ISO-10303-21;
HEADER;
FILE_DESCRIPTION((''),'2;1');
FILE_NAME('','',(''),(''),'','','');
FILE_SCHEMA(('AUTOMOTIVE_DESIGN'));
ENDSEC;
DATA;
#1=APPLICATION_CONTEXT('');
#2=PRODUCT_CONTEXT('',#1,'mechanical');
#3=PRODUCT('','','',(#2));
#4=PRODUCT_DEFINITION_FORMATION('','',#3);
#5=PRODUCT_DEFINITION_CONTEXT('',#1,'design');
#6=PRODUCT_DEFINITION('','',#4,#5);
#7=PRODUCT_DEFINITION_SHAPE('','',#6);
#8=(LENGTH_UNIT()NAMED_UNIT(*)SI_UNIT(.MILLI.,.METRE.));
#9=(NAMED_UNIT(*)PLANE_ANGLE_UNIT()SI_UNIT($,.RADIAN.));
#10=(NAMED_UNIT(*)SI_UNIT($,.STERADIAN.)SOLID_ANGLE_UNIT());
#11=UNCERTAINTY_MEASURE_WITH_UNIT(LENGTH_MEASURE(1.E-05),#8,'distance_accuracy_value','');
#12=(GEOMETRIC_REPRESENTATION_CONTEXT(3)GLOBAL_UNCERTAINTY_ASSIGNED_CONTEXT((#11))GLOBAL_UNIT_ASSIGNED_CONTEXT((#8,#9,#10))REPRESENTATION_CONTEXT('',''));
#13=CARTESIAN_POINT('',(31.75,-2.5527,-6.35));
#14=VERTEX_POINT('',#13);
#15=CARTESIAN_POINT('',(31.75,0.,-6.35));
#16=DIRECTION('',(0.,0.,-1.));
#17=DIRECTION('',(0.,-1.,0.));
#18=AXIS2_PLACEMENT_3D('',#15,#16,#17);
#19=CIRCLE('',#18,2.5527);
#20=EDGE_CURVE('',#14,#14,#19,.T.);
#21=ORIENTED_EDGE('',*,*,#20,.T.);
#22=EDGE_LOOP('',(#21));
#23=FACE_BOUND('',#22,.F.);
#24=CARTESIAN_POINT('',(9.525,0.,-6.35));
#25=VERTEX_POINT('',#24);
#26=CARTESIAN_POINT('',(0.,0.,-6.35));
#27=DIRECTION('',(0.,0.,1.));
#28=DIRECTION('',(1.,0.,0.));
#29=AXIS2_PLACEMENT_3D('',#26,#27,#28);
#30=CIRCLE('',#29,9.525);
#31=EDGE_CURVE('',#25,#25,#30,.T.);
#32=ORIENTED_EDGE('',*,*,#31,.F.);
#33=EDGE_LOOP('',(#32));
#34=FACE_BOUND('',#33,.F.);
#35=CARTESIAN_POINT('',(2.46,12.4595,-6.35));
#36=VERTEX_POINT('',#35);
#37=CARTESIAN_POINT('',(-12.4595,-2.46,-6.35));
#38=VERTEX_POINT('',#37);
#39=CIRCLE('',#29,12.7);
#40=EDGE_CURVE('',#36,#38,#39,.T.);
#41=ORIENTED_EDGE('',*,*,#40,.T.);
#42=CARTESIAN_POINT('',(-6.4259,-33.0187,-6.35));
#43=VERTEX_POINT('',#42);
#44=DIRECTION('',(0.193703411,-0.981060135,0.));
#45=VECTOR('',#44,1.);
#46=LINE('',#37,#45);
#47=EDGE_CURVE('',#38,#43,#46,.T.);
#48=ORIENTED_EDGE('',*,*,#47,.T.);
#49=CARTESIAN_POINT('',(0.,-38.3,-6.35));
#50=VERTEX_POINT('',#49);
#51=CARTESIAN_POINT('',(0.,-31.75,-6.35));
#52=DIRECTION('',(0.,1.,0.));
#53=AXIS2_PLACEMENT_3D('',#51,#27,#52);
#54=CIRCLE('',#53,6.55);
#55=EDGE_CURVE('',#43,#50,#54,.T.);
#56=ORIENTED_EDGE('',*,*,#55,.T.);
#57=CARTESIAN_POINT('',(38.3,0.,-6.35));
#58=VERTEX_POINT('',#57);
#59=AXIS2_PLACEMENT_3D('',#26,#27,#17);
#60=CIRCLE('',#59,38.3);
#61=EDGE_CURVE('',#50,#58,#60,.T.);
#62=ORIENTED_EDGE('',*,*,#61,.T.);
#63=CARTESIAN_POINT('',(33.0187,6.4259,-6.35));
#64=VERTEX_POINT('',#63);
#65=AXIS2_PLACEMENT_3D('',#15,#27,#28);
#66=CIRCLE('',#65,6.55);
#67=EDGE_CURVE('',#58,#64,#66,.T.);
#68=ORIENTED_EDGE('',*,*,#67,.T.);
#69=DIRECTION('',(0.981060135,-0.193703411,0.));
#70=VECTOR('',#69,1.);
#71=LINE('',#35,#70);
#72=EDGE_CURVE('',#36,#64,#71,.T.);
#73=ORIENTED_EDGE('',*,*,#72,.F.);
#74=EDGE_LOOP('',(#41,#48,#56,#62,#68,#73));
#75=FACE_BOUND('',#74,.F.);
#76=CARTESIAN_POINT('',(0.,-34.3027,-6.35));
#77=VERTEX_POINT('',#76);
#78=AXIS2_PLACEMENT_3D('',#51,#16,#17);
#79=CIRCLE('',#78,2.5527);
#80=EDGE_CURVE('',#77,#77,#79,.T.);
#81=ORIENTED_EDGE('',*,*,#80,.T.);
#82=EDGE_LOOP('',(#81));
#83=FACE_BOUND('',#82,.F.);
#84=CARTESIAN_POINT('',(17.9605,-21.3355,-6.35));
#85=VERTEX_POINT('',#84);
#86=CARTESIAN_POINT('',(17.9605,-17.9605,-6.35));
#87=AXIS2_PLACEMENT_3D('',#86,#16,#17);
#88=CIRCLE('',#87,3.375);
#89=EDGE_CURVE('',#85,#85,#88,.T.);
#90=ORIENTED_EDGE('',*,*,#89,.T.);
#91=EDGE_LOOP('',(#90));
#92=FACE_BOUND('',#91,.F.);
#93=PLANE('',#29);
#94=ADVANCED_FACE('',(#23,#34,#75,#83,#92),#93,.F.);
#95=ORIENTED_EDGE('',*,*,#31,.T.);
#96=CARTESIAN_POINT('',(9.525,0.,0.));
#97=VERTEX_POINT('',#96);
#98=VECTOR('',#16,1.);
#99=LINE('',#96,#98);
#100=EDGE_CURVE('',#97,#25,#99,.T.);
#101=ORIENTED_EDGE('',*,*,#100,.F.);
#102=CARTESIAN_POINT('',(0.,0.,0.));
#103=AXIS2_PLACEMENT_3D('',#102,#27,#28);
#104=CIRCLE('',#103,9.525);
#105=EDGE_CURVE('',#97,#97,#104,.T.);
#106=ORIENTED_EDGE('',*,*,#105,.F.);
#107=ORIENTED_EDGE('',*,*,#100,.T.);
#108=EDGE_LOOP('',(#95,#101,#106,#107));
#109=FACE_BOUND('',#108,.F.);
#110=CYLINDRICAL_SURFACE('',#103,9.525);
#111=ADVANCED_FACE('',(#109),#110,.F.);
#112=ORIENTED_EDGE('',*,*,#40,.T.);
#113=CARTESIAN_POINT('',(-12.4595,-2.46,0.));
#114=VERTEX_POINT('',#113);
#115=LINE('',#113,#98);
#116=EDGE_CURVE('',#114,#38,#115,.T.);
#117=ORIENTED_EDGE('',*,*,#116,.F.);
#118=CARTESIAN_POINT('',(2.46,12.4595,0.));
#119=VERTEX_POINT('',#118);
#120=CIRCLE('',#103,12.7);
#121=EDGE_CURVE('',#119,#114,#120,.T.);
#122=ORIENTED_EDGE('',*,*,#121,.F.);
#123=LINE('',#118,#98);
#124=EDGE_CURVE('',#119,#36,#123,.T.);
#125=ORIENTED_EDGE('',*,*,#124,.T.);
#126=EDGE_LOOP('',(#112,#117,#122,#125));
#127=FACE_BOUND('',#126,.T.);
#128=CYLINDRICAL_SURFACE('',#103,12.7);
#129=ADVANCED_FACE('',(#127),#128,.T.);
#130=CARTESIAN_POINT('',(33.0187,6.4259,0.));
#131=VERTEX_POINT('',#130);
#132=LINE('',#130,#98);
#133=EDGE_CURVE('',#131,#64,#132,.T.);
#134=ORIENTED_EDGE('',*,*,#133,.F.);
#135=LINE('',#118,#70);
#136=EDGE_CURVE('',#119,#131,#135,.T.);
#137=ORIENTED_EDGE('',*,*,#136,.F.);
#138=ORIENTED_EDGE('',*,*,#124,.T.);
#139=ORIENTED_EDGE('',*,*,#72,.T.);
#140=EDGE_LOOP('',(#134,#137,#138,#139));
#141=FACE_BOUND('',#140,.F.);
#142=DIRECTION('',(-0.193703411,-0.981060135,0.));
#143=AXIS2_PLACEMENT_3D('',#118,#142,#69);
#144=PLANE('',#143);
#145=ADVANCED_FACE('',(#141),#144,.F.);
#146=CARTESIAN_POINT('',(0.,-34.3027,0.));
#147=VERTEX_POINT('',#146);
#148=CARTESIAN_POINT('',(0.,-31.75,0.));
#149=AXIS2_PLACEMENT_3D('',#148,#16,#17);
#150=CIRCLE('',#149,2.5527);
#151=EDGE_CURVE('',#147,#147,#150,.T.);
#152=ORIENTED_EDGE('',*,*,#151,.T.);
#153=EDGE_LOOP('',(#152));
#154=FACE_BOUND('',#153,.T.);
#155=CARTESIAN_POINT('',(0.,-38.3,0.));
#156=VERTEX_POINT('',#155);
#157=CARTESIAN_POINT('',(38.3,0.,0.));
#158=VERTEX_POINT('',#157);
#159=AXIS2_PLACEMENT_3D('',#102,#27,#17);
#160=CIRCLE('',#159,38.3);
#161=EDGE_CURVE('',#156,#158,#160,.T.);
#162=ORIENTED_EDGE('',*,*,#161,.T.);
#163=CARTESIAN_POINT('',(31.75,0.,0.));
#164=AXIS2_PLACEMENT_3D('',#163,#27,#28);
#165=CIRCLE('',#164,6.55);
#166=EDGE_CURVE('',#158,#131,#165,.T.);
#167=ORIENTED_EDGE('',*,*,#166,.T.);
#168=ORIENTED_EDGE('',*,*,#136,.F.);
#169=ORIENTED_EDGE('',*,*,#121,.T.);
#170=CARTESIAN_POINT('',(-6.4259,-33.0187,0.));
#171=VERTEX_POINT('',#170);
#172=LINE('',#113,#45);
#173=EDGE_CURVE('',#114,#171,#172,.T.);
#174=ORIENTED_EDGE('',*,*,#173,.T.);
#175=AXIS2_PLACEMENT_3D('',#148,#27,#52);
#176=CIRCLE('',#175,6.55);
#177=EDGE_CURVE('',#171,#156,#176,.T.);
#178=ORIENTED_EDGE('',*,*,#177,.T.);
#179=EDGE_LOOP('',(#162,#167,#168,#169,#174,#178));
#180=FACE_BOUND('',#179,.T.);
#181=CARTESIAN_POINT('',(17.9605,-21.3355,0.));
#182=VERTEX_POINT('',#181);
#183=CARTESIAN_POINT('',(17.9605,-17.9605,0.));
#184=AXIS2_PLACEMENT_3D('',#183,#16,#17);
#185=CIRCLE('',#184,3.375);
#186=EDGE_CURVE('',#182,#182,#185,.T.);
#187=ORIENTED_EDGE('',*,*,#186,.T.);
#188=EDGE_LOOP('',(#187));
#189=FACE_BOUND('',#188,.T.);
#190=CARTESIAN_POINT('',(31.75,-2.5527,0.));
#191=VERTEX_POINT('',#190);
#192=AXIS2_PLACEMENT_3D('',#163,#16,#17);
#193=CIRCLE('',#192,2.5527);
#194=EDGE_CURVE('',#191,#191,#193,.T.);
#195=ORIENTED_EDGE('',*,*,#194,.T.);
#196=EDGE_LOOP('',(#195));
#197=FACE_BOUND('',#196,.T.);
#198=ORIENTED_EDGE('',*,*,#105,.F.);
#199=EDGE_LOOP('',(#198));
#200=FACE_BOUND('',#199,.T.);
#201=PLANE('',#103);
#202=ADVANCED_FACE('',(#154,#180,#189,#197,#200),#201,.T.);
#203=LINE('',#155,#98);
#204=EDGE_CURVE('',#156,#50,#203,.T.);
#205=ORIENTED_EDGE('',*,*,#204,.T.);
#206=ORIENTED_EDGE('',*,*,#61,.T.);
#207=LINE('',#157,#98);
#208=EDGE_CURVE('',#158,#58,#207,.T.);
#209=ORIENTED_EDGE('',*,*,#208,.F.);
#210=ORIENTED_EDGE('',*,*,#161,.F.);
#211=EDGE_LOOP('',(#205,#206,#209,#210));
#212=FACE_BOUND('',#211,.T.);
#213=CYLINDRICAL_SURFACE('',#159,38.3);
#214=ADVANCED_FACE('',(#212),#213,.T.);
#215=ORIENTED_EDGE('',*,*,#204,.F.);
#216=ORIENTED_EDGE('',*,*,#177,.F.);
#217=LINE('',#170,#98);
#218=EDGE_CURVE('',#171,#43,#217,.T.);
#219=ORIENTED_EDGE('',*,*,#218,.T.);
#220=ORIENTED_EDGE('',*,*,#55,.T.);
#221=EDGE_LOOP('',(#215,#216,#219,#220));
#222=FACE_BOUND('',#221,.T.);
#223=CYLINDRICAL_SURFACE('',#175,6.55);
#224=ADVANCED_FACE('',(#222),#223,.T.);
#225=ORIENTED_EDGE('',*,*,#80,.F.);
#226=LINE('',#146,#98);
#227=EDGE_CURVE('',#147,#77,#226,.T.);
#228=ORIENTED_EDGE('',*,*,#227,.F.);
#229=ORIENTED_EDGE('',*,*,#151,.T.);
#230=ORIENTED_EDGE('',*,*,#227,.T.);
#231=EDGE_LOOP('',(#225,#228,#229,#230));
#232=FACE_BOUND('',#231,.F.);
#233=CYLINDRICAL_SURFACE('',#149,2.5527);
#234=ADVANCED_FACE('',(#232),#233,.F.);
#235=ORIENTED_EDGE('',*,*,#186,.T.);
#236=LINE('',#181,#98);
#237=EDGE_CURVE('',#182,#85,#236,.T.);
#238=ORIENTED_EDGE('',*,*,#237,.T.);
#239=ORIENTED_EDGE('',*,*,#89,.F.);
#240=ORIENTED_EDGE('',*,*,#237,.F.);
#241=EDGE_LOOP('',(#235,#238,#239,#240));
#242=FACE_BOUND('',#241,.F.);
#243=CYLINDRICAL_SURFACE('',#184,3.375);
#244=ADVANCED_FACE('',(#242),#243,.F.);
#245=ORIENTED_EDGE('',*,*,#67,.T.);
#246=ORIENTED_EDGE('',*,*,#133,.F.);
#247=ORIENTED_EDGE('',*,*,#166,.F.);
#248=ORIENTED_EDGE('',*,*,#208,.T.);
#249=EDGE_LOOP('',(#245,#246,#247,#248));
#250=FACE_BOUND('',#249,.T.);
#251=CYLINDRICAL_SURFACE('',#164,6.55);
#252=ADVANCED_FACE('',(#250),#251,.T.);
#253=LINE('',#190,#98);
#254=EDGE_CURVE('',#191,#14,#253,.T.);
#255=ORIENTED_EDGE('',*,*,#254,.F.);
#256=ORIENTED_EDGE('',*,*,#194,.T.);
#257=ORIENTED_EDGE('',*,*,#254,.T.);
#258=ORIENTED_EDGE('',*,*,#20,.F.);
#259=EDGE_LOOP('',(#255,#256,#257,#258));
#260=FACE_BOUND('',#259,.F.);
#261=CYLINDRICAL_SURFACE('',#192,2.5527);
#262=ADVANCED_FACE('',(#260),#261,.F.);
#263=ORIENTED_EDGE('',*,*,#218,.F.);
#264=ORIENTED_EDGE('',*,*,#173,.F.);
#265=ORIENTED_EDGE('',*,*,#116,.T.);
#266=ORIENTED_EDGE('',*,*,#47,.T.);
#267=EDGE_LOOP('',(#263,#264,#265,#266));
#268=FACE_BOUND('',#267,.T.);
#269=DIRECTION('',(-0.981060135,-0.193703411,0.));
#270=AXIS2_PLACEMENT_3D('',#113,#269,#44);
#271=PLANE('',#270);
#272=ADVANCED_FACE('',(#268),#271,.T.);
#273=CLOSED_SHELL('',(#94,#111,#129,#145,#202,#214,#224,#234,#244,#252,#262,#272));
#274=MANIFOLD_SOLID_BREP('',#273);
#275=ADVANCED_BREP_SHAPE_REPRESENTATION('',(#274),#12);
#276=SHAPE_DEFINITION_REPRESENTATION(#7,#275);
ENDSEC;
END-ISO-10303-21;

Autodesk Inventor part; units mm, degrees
ref_plane "YZ Plane" through (0, 0, 0) normal (1, 0, 0) x (0, 1, 0)
ref_plane "XZ Plane" through (0, 0, 0) normal (0, 1, 0) x (-1, 0, 0)
ref_plane "XY Plane" through (0, 0, 0) normal (0, 0, 1) x (1, 0, 0)
sketch "Sketch1" plane through (0, 0, 0) normal (0, 0, 1) x (1, 0, 0)
  circle A0 centre (0, 0) radius 31.75 construction
  circle A1 centre (0, 0) radius 11.176 construction
  line L0 (0, 0) -> (17.9605, -17.9605) construction
  line L1 (0, 0) -> (0, -31.75) construction
  circle A2 centre (17.9605, -17.9605) radius 6.55 construction
  circle A3 centre (0, 31.75) radius 6.55 construction
  circle A4 centre (0, -31.75) radius 6.55 construction
  circle A5 centre (31.75, 0) radius 6.55 construction
  circle A6 centre (-31.75, 0) radius 6.55 construction
  circle A7 centre (0, 0) radius 25.2 construction
  circle A8 centre (0, 0) radius 38.3 construction
  arc A9 (0, -25.2) -> (12.6501, -21.7948) centre (0, 0) ccw
  arc A10 (0, -25.2) -> (0, -38.3) centre (0, -31.75) ccw
  arc A11 (0, -38.3) -> (38.3, 0) centre (0, 0) ccw
  arc A12 (38.3, 0) -> (25.2, 0) centre (31.75, 0) ccw
  arc A13 (21.7948, -12.6501) -> (25.2, 0) centre (0, 0) ccw
  arc A14 (21.7948, -12.6501) -> (12.6501, -21.7948) centre (17.9605, -17.9605) ccw
  dimension "d0" = 63.5
  dimension "d1" = 22.352
  dimension "d3" = 25.4
  dimension "d4" = 45
  dimension "d5" = 13.1
  dimension "d6" = 13.1
  dimension "d7" = 13.1
  dimension "d8" = 13.1
  dimension "d9" = 13.1
  dimension "d10" = 6.55
  dimension "d11" = 13.1
extrude "Extrusion1" add sketch "Sketch1" against normal blind 6.35
hole "Hole1" at (0, 31.75, 0) at (17.9605, -17.9605, 0) direction (0, 0, -1) diameter 6.75 depth 9.525
sketch "Sketch2" plane through (0, 0, 0) normal (0, 0, 1) x (1, 0, 0)
  circle A0 centre (17.9605, -17.9605) radius 3.375 construction
  arc A1 (21.7948, -12.6501) -> (25.2, 0) centre (0, 0) ccw projected
  arc A2 (38.3, 0) -> (25.2, 0) centre (31.75, 0) ccw projected
  arc A3 (0, -38.3) -> (38.3, 0) centre (0, 0) ccw construction
  arc A4 (0, -25.2) -> (0, -38.3) centre (0, -31.75) ccw projected
  arc A5 (0, -25.2) -> (12.6501, -21.7948) centre (0, 0) ccw projected
  arc A6 (21.7948, -12.6501) -> (12.6501, -21.7948) centre (17.9605, -17.9605) ccw projected
  circle A7 centre (0, 0) radius 12.7
  line L0 (-12.4595, -2.46) -> (-6.4259, -33.0187)
  arc A8 (0, -25.2) -> (0, -38.3) centre (0, -31.75) ccw construction
  line L1 (2.46, 12.4595) -> (33.0187, 6.4259)
  circle A9 centre (0, 0) radius 9.525
  dimension "d23" = 3.175
  dimension "d24" = 19.05
extrude "Extrusion2" add sketch "Sketch2" against normal blind 6.35
hole "Hole2" at (0, -31.75, 0) at (31.75, 0, 0) direction (0, 0, -1) diameter 5.1054 depth 9.525 clearance for "Flat Head Machine Screw (82)" size "#10" standard "Ansi Unified Screw Threads"
equation "\"d6\" = d5"
equation "\"d7\" = d5"
equation "\"d8\" = d5"
equation "\"d9\" = d5"
equation "\"d10\" = 0.5 * d5"
equation "\"d11\" = d5"
properties part number "CL7-018" material "ABS Plastic"
